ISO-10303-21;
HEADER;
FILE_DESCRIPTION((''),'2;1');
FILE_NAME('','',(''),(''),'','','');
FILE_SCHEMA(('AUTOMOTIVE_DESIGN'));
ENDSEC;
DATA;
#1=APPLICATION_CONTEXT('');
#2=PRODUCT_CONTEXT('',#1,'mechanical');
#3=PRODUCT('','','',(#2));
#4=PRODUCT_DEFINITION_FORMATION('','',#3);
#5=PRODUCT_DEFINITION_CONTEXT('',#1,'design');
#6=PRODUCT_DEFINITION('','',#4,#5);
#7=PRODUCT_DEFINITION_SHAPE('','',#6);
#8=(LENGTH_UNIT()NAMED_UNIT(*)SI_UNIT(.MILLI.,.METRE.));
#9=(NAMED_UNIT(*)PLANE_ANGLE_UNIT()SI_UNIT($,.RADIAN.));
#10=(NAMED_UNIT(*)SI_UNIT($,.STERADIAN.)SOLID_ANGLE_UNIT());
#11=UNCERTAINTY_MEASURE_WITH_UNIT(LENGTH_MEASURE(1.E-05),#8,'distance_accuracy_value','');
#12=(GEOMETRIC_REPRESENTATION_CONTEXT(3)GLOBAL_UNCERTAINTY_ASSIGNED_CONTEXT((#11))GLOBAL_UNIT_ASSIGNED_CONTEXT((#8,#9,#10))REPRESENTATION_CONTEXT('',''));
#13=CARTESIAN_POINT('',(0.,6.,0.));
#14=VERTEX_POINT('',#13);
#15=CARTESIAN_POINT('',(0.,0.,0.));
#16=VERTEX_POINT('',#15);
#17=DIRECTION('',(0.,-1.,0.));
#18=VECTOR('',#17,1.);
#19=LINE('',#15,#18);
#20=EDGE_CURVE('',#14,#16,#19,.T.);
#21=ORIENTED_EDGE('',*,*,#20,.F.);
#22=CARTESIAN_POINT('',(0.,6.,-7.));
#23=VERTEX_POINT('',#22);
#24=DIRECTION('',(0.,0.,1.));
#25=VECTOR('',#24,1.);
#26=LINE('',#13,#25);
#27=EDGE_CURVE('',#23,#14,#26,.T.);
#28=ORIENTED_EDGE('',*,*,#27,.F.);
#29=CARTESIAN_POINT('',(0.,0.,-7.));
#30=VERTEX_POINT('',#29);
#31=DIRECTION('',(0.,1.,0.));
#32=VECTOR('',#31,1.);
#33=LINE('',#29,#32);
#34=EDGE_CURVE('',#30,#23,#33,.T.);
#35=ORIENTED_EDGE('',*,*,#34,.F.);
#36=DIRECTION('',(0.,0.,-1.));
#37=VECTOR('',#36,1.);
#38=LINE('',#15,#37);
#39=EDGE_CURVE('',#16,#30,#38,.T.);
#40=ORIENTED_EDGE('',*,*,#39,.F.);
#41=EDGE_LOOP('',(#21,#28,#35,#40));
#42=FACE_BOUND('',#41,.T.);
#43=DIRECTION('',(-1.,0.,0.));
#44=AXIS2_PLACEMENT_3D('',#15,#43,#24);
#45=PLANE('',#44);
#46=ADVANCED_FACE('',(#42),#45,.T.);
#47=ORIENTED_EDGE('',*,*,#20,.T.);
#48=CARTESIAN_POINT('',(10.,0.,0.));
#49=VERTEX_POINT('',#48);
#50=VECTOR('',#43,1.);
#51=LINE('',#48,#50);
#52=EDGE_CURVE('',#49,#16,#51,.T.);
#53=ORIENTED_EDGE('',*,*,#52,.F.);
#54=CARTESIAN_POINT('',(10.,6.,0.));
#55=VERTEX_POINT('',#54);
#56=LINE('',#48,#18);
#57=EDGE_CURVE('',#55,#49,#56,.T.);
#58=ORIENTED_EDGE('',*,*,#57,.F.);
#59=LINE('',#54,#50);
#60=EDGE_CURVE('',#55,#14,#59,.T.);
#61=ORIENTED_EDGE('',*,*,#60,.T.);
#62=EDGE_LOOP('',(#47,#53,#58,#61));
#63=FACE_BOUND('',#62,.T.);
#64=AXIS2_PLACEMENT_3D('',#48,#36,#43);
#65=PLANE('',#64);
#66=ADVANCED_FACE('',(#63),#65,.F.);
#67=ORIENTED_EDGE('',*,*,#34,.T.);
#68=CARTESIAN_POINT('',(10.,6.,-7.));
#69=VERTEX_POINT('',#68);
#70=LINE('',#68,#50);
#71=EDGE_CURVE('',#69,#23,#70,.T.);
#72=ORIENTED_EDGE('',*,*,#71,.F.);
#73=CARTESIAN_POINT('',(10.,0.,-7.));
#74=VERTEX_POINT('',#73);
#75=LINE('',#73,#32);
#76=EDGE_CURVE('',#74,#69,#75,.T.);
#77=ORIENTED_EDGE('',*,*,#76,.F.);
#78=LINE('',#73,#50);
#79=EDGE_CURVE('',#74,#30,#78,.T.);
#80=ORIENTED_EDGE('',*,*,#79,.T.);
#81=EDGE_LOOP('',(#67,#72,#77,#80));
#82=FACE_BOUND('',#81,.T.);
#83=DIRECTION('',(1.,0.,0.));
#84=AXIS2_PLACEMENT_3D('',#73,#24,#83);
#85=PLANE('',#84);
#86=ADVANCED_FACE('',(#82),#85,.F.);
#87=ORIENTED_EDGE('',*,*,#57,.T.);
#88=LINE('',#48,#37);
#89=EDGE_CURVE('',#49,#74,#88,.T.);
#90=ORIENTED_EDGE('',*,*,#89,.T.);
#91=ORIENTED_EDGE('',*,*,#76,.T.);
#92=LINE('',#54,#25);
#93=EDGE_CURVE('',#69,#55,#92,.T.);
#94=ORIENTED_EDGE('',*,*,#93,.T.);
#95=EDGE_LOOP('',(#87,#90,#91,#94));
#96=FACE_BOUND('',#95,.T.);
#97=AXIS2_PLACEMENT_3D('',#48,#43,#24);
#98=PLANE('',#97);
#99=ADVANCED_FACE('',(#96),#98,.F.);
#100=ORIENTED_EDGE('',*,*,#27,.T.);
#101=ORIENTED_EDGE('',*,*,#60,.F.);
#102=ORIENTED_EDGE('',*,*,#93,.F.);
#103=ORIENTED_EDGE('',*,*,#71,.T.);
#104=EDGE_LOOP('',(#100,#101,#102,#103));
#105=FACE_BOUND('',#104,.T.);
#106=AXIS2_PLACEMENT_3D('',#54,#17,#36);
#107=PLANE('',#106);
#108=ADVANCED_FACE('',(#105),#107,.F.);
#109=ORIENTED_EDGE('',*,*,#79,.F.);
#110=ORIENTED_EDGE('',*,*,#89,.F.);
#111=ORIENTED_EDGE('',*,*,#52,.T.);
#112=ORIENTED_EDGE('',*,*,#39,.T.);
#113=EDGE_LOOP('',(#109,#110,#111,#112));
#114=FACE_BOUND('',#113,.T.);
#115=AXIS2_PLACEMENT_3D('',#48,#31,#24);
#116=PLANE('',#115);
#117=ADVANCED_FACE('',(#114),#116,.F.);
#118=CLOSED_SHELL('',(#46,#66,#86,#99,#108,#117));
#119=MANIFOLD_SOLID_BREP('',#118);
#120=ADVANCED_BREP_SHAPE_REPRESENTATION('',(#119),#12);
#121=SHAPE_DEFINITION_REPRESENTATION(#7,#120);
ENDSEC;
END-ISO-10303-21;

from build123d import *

# Parameters (mm, degrees)
SKETCH_1_W      = 7
SKETCH_1_H      = 6
EXTRUDE_1_DEPTH = 10


with BuildPart() as part:
    # Эскиз1 → Бобышка-Вытянуть1 (new body)
    with BuildSketch(Plane(origin=(0, 0, 0), x_dir=(0, 0, -1), z_dir=(1, 0, 0))):
        with Locations((3.5, 3)):
            Rectangle(SKETCH_1_W, SKETCH_1_H)
    extrude(amount=EXTRUDE_1_DEPTH)


solid = part.part
